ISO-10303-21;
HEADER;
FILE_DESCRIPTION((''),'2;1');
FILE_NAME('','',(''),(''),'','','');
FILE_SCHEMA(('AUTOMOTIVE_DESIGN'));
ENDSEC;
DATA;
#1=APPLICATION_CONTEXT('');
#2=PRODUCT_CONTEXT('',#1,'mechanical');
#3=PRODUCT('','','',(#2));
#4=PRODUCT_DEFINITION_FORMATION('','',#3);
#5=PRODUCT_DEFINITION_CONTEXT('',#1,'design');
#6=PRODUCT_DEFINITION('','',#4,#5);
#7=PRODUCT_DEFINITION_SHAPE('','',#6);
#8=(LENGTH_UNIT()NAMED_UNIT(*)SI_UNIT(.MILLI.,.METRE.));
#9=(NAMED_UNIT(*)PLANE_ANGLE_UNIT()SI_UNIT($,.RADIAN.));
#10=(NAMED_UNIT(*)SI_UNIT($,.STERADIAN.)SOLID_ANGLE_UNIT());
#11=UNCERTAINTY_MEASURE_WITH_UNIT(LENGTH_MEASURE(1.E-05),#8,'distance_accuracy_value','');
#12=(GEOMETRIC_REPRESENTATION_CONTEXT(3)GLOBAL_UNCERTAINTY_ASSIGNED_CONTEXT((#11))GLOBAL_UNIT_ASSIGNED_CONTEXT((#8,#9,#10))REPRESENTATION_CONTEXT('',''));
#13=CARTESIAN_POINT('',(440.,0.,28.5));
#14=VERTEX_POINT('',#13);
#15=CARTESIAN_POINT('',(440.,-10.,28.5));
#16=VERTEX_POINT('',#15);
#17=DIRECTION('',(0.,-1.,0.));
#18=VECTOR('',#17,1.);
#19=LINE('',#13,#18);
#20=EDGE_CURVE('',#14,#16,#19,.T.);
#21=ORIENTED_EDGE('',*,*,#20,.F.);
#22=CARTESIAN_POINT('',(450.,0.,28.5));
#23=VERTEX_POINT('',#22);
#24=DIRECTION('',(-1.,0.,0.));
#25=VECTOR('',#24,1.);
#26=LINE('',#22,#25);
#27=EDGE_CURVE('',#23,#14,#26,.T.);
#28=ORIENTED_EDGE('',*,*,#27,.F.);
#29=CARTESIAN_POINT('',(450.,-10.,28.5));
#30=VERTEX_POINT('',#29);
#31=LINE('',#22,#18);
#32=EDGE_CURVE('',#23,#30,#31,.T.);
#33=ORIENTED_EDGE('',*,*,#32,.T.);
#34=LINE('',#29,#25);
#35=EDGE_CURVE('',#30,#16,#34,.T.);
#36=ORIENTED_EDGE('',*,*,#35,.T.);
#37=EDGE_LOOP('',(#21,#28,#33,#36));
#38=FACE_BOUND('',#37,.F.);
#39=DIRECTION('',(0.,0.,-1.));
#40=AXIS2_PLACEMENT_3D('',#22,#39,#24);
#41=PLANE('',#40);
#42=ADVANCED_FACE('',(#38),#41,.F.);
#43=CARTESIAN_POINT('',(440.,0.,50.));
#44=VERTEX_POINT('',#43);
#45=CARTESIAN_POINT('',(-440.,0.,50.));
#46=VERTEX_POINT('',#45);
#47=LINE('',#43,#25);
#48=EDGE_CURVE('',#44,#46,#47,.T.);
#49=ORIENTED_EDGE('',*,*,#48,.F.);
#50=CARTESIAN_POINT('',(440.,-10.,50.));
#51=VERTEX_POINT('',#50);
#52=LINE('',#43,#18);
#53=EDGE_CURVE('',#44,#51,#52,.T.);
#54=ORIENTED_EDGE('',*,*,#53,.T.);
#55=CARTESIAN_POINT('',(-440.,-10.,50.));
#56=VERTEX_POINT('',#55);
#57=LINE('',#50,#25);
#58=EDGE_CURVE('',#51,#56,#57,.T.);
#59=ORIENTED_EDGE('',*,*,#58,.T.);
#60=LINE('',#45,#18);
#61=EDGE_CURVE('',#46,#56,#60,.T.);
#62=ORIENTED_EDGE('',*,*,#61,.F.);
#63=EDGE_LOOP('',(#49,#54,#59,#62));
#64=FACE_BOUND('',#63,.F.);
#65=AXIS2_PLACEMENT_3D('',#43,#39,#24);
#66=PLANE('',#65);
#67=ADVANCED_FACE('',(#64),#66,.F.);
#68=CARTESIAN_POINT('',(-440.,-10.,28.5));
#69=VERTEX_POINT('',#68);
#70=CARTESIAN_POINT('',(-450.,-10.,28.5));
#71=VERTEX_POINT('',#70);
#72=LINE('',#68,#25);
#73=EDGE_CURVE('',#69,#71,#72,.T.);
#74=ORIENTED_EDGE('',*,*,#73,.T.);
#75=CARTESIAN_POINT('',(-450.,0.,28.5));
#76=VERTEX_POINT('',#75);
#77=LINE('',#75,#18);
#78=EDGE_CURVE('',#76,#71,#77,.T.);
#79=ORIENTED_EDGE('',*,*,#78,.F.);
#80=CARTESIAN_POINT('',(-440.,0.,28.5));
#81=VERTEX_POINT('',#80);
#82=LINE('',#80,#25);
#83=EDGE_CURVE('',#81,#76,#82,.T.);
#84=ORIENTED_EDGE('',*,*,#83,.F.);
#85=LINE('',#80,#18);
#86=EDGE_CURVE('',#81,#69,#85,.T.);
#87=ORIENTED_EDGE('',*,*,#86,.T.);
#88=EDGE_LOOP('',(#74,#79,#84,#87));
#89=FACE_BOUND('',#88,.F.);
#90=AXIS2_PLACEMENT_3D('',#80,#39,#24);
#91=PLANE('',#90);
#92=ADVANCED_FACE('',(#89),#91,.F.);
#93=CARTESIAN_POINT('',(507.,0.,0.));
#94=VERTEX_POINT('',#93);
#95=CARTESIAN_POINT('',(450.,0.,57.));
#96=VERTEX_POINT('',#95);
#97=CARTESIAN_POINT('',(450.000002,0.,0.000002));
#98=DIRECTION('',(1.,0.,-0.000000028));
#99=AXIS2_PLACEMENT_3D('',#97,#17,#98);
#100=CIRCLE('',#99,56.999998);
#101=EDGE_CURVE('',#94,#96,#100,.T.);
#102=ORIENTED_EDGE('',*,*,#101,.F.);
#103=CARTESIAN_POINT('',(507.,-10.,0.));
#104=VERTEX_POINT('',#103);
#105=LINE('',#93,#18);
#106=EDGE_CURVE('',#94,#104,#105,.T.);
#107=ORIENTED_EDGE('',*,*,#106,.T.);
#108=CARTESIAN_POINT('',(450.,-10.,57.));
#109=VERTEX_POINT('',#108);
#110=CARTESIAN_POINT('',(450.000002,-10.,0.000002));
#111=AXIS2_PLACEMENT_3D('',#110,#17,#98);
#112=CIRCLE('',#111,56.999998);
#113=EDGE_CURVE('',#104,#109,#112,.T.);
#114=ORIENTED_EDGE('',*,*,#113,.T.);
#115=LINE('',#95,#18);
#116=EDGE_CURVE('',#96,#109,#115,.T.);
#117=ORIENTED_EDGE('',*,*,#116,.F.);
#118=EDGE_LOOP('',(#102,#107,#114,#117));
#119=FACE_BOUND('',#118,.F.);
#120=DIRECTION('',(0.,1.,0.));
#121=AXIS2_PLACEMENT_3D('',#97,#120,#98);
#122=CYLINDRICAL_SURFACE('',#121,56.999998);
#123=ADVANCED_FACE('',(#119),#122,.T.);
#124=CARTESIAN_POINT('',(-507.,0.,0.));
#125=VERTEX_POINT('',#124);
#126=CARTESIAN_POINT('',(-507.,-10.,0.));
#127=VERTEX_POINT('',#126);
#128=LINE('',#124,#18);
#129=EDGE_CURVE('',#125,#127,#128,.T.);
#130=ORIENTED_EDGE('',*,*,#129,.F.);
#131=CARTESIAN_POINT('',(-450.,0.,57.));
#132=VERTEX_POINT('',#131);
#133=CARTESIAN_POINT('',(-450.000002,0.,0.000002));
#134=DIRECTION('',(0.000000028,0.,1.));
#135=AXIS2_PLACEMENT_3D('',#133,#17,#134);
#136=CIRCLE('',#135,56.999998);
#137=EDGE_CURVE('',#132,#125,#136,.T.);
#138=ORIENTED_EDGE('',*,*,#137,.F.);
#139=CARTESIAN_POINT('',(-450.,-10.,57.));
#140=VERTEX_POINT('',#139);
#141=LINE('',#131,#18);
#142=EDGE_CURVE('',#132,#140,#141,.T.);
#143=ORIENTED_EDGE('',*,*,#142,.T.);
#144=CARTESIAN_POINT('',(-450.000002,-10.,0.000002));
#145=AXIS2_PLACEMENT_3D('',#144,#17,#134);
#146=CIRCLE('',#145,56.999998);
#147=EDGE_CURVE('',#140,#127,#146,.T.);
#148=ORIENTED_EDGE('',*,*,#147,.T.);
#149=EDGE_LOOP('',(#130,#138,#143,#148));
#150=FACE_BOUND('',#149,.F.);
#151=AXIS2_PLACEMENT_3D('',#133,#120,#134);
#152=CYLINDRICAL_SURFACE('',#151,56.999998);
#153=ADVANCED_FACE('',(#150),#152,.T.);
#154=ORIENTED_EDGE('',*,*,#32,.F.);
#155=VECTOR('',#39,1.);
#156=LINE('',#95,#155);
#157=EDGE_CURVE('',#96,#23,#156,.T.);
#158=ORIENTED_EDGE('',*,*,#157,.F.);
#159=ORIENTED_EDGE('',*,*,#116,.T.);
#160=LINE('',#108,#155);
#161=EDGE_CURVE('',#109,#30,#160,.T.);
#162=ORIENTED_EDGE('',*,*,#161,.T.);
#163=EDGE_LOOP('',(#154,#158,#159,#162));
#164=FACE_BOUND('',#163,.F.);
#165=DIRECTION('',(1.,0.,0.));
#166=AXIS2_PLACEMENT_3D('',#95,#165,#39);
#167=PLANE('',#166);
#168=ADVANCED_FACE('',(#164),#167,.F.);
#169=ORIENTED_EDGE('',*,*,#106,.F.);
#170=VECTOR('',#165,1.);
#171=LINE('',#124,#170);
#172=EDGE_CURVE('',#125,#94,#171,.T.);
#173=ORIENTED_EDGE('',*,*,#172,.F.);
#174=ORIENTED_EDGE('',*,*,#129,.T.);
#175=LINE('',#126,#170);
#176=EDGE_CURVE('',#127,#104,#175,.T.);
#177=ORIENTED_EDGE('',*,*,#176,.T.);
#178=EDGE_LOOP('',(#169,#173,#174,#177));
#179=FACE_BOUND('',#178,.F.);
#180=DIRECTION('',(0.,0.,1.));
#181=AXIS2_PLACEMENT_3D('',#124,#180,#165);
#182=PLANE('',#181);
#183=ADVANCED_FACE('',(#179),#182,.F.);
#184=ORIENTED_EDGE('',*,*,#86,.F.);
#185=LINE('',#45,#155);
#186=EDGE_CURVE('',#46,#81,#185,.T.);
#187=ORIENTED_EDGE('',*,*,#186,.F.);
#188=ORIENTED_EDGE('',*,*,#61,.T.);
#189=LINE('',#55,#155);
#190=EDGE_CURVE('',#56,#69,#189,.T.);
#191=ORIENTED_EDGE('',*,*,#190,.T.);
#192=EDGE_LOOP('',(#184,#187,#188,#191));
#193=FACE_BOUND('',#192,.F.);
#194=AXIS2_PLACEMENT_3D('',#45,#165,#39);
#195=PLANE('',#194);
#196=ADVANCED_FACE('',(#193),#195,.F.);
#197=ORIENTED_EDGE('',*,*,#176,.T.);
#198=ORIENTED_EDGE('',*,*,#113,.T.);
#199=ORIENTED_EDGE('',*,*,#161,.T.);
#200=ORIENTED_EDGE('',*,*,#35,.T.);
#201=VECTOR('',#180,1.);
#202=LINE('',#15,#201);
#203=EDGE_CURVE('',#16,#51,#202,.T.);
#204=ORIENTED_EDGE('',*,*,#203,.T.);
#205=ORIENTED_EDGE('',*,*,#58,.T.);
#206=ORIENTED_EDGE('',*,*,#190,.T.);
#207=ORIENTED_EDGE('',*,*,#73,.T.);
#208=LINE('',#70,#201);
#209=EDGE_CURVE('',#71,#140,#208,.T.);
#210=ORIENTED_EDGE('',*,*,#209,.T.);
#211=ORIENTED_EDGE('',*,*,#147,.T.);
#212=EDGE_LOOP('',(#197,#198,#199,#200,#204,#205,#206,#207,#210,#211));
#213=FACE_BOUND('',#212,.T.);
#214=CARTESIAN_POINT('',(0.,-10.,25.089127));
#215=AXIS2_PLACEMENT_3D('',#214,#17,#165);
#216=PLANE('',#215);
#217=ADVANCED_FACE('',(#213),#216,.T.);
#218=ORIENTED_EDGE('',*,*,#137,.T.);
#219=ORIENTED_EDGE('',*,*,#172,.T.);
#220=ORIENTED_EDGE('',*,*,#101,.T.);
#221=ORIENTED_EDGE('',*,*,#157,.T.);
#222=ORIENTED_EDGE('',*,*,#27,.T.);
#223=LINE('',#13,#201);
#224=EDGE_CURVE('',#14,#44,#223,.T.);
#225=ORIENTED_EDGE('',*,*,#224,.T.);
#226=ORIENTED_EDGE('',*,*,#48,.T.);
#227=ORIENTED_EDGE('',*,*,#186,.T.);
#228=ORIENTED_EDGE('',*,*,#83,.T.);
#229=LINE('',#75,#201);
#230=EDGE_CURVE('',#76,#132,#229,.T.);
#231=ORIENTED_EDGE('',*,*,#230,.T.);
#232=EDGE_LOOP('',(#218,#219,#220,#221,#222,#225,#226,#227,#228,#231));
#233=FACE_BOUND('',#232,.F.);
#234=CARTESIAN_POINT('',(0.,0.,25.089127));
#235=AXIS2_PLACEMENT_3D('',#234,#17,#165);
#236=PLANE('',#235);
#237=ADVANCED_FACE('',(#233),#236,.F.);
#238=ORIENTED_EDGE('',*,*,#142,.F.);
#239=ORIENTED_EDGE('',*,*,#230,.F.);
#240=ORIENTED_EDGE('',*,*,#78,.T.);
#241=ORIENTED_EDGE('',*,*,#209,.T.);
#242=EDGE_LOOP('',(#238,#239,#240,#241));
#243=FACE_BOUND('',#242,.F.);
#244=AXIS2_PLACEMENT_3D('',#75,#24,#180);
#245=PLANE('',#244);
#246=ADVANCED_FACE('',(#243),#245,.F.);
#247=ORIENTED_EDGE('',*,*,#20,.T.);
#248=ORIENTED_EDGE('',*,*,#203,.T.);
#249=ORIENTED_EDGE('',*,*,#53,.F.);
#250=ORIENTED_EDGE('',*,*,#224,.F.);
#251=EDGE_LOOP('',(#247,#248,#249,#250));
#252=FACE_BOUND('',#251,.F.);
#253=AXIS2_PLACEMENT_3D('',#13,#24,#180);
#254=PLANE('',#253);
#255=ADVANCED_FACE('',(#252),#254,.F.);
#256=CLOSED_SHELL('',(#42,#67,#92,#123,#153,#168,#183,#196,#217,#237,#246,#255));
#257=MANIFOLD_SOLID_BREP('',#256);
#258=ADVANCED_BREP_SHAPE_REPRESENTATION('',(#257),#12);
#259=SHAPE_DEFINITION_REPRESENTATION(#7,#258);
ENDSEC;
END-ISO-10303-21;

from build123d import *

# Parameters (mm, degrees)
F1_DEPTH = 10


with BuildPart() as f1:
    # F0 (on Front) → F1 (new body)
    with BuildSketch(Plane.XZ):
        with BuildLine():
            Line((-507, 0), (507, 0))
            ThreePointArc((507, 0), (490.305087, 40.305087), (450, 57))
            Line((450, 57), (450, 28.5))
            Line((450, 28.5), (440, 28.5))
            Line((440, 28.5), (440, 50))
            Line((440, 50), (-440, 50))
            Line((-440, 50), (-440, 28.5))
            Line((-440, 28.5), (-450, 28.5))
            Line((-450, 28.5), (-450, 57))
            ThreePointArc((-450, 57), (-490.305087, 40.305087), (-507, 0))
        make_face()
    extrude(amount=F1_DEPTH)


solid = f1.part
